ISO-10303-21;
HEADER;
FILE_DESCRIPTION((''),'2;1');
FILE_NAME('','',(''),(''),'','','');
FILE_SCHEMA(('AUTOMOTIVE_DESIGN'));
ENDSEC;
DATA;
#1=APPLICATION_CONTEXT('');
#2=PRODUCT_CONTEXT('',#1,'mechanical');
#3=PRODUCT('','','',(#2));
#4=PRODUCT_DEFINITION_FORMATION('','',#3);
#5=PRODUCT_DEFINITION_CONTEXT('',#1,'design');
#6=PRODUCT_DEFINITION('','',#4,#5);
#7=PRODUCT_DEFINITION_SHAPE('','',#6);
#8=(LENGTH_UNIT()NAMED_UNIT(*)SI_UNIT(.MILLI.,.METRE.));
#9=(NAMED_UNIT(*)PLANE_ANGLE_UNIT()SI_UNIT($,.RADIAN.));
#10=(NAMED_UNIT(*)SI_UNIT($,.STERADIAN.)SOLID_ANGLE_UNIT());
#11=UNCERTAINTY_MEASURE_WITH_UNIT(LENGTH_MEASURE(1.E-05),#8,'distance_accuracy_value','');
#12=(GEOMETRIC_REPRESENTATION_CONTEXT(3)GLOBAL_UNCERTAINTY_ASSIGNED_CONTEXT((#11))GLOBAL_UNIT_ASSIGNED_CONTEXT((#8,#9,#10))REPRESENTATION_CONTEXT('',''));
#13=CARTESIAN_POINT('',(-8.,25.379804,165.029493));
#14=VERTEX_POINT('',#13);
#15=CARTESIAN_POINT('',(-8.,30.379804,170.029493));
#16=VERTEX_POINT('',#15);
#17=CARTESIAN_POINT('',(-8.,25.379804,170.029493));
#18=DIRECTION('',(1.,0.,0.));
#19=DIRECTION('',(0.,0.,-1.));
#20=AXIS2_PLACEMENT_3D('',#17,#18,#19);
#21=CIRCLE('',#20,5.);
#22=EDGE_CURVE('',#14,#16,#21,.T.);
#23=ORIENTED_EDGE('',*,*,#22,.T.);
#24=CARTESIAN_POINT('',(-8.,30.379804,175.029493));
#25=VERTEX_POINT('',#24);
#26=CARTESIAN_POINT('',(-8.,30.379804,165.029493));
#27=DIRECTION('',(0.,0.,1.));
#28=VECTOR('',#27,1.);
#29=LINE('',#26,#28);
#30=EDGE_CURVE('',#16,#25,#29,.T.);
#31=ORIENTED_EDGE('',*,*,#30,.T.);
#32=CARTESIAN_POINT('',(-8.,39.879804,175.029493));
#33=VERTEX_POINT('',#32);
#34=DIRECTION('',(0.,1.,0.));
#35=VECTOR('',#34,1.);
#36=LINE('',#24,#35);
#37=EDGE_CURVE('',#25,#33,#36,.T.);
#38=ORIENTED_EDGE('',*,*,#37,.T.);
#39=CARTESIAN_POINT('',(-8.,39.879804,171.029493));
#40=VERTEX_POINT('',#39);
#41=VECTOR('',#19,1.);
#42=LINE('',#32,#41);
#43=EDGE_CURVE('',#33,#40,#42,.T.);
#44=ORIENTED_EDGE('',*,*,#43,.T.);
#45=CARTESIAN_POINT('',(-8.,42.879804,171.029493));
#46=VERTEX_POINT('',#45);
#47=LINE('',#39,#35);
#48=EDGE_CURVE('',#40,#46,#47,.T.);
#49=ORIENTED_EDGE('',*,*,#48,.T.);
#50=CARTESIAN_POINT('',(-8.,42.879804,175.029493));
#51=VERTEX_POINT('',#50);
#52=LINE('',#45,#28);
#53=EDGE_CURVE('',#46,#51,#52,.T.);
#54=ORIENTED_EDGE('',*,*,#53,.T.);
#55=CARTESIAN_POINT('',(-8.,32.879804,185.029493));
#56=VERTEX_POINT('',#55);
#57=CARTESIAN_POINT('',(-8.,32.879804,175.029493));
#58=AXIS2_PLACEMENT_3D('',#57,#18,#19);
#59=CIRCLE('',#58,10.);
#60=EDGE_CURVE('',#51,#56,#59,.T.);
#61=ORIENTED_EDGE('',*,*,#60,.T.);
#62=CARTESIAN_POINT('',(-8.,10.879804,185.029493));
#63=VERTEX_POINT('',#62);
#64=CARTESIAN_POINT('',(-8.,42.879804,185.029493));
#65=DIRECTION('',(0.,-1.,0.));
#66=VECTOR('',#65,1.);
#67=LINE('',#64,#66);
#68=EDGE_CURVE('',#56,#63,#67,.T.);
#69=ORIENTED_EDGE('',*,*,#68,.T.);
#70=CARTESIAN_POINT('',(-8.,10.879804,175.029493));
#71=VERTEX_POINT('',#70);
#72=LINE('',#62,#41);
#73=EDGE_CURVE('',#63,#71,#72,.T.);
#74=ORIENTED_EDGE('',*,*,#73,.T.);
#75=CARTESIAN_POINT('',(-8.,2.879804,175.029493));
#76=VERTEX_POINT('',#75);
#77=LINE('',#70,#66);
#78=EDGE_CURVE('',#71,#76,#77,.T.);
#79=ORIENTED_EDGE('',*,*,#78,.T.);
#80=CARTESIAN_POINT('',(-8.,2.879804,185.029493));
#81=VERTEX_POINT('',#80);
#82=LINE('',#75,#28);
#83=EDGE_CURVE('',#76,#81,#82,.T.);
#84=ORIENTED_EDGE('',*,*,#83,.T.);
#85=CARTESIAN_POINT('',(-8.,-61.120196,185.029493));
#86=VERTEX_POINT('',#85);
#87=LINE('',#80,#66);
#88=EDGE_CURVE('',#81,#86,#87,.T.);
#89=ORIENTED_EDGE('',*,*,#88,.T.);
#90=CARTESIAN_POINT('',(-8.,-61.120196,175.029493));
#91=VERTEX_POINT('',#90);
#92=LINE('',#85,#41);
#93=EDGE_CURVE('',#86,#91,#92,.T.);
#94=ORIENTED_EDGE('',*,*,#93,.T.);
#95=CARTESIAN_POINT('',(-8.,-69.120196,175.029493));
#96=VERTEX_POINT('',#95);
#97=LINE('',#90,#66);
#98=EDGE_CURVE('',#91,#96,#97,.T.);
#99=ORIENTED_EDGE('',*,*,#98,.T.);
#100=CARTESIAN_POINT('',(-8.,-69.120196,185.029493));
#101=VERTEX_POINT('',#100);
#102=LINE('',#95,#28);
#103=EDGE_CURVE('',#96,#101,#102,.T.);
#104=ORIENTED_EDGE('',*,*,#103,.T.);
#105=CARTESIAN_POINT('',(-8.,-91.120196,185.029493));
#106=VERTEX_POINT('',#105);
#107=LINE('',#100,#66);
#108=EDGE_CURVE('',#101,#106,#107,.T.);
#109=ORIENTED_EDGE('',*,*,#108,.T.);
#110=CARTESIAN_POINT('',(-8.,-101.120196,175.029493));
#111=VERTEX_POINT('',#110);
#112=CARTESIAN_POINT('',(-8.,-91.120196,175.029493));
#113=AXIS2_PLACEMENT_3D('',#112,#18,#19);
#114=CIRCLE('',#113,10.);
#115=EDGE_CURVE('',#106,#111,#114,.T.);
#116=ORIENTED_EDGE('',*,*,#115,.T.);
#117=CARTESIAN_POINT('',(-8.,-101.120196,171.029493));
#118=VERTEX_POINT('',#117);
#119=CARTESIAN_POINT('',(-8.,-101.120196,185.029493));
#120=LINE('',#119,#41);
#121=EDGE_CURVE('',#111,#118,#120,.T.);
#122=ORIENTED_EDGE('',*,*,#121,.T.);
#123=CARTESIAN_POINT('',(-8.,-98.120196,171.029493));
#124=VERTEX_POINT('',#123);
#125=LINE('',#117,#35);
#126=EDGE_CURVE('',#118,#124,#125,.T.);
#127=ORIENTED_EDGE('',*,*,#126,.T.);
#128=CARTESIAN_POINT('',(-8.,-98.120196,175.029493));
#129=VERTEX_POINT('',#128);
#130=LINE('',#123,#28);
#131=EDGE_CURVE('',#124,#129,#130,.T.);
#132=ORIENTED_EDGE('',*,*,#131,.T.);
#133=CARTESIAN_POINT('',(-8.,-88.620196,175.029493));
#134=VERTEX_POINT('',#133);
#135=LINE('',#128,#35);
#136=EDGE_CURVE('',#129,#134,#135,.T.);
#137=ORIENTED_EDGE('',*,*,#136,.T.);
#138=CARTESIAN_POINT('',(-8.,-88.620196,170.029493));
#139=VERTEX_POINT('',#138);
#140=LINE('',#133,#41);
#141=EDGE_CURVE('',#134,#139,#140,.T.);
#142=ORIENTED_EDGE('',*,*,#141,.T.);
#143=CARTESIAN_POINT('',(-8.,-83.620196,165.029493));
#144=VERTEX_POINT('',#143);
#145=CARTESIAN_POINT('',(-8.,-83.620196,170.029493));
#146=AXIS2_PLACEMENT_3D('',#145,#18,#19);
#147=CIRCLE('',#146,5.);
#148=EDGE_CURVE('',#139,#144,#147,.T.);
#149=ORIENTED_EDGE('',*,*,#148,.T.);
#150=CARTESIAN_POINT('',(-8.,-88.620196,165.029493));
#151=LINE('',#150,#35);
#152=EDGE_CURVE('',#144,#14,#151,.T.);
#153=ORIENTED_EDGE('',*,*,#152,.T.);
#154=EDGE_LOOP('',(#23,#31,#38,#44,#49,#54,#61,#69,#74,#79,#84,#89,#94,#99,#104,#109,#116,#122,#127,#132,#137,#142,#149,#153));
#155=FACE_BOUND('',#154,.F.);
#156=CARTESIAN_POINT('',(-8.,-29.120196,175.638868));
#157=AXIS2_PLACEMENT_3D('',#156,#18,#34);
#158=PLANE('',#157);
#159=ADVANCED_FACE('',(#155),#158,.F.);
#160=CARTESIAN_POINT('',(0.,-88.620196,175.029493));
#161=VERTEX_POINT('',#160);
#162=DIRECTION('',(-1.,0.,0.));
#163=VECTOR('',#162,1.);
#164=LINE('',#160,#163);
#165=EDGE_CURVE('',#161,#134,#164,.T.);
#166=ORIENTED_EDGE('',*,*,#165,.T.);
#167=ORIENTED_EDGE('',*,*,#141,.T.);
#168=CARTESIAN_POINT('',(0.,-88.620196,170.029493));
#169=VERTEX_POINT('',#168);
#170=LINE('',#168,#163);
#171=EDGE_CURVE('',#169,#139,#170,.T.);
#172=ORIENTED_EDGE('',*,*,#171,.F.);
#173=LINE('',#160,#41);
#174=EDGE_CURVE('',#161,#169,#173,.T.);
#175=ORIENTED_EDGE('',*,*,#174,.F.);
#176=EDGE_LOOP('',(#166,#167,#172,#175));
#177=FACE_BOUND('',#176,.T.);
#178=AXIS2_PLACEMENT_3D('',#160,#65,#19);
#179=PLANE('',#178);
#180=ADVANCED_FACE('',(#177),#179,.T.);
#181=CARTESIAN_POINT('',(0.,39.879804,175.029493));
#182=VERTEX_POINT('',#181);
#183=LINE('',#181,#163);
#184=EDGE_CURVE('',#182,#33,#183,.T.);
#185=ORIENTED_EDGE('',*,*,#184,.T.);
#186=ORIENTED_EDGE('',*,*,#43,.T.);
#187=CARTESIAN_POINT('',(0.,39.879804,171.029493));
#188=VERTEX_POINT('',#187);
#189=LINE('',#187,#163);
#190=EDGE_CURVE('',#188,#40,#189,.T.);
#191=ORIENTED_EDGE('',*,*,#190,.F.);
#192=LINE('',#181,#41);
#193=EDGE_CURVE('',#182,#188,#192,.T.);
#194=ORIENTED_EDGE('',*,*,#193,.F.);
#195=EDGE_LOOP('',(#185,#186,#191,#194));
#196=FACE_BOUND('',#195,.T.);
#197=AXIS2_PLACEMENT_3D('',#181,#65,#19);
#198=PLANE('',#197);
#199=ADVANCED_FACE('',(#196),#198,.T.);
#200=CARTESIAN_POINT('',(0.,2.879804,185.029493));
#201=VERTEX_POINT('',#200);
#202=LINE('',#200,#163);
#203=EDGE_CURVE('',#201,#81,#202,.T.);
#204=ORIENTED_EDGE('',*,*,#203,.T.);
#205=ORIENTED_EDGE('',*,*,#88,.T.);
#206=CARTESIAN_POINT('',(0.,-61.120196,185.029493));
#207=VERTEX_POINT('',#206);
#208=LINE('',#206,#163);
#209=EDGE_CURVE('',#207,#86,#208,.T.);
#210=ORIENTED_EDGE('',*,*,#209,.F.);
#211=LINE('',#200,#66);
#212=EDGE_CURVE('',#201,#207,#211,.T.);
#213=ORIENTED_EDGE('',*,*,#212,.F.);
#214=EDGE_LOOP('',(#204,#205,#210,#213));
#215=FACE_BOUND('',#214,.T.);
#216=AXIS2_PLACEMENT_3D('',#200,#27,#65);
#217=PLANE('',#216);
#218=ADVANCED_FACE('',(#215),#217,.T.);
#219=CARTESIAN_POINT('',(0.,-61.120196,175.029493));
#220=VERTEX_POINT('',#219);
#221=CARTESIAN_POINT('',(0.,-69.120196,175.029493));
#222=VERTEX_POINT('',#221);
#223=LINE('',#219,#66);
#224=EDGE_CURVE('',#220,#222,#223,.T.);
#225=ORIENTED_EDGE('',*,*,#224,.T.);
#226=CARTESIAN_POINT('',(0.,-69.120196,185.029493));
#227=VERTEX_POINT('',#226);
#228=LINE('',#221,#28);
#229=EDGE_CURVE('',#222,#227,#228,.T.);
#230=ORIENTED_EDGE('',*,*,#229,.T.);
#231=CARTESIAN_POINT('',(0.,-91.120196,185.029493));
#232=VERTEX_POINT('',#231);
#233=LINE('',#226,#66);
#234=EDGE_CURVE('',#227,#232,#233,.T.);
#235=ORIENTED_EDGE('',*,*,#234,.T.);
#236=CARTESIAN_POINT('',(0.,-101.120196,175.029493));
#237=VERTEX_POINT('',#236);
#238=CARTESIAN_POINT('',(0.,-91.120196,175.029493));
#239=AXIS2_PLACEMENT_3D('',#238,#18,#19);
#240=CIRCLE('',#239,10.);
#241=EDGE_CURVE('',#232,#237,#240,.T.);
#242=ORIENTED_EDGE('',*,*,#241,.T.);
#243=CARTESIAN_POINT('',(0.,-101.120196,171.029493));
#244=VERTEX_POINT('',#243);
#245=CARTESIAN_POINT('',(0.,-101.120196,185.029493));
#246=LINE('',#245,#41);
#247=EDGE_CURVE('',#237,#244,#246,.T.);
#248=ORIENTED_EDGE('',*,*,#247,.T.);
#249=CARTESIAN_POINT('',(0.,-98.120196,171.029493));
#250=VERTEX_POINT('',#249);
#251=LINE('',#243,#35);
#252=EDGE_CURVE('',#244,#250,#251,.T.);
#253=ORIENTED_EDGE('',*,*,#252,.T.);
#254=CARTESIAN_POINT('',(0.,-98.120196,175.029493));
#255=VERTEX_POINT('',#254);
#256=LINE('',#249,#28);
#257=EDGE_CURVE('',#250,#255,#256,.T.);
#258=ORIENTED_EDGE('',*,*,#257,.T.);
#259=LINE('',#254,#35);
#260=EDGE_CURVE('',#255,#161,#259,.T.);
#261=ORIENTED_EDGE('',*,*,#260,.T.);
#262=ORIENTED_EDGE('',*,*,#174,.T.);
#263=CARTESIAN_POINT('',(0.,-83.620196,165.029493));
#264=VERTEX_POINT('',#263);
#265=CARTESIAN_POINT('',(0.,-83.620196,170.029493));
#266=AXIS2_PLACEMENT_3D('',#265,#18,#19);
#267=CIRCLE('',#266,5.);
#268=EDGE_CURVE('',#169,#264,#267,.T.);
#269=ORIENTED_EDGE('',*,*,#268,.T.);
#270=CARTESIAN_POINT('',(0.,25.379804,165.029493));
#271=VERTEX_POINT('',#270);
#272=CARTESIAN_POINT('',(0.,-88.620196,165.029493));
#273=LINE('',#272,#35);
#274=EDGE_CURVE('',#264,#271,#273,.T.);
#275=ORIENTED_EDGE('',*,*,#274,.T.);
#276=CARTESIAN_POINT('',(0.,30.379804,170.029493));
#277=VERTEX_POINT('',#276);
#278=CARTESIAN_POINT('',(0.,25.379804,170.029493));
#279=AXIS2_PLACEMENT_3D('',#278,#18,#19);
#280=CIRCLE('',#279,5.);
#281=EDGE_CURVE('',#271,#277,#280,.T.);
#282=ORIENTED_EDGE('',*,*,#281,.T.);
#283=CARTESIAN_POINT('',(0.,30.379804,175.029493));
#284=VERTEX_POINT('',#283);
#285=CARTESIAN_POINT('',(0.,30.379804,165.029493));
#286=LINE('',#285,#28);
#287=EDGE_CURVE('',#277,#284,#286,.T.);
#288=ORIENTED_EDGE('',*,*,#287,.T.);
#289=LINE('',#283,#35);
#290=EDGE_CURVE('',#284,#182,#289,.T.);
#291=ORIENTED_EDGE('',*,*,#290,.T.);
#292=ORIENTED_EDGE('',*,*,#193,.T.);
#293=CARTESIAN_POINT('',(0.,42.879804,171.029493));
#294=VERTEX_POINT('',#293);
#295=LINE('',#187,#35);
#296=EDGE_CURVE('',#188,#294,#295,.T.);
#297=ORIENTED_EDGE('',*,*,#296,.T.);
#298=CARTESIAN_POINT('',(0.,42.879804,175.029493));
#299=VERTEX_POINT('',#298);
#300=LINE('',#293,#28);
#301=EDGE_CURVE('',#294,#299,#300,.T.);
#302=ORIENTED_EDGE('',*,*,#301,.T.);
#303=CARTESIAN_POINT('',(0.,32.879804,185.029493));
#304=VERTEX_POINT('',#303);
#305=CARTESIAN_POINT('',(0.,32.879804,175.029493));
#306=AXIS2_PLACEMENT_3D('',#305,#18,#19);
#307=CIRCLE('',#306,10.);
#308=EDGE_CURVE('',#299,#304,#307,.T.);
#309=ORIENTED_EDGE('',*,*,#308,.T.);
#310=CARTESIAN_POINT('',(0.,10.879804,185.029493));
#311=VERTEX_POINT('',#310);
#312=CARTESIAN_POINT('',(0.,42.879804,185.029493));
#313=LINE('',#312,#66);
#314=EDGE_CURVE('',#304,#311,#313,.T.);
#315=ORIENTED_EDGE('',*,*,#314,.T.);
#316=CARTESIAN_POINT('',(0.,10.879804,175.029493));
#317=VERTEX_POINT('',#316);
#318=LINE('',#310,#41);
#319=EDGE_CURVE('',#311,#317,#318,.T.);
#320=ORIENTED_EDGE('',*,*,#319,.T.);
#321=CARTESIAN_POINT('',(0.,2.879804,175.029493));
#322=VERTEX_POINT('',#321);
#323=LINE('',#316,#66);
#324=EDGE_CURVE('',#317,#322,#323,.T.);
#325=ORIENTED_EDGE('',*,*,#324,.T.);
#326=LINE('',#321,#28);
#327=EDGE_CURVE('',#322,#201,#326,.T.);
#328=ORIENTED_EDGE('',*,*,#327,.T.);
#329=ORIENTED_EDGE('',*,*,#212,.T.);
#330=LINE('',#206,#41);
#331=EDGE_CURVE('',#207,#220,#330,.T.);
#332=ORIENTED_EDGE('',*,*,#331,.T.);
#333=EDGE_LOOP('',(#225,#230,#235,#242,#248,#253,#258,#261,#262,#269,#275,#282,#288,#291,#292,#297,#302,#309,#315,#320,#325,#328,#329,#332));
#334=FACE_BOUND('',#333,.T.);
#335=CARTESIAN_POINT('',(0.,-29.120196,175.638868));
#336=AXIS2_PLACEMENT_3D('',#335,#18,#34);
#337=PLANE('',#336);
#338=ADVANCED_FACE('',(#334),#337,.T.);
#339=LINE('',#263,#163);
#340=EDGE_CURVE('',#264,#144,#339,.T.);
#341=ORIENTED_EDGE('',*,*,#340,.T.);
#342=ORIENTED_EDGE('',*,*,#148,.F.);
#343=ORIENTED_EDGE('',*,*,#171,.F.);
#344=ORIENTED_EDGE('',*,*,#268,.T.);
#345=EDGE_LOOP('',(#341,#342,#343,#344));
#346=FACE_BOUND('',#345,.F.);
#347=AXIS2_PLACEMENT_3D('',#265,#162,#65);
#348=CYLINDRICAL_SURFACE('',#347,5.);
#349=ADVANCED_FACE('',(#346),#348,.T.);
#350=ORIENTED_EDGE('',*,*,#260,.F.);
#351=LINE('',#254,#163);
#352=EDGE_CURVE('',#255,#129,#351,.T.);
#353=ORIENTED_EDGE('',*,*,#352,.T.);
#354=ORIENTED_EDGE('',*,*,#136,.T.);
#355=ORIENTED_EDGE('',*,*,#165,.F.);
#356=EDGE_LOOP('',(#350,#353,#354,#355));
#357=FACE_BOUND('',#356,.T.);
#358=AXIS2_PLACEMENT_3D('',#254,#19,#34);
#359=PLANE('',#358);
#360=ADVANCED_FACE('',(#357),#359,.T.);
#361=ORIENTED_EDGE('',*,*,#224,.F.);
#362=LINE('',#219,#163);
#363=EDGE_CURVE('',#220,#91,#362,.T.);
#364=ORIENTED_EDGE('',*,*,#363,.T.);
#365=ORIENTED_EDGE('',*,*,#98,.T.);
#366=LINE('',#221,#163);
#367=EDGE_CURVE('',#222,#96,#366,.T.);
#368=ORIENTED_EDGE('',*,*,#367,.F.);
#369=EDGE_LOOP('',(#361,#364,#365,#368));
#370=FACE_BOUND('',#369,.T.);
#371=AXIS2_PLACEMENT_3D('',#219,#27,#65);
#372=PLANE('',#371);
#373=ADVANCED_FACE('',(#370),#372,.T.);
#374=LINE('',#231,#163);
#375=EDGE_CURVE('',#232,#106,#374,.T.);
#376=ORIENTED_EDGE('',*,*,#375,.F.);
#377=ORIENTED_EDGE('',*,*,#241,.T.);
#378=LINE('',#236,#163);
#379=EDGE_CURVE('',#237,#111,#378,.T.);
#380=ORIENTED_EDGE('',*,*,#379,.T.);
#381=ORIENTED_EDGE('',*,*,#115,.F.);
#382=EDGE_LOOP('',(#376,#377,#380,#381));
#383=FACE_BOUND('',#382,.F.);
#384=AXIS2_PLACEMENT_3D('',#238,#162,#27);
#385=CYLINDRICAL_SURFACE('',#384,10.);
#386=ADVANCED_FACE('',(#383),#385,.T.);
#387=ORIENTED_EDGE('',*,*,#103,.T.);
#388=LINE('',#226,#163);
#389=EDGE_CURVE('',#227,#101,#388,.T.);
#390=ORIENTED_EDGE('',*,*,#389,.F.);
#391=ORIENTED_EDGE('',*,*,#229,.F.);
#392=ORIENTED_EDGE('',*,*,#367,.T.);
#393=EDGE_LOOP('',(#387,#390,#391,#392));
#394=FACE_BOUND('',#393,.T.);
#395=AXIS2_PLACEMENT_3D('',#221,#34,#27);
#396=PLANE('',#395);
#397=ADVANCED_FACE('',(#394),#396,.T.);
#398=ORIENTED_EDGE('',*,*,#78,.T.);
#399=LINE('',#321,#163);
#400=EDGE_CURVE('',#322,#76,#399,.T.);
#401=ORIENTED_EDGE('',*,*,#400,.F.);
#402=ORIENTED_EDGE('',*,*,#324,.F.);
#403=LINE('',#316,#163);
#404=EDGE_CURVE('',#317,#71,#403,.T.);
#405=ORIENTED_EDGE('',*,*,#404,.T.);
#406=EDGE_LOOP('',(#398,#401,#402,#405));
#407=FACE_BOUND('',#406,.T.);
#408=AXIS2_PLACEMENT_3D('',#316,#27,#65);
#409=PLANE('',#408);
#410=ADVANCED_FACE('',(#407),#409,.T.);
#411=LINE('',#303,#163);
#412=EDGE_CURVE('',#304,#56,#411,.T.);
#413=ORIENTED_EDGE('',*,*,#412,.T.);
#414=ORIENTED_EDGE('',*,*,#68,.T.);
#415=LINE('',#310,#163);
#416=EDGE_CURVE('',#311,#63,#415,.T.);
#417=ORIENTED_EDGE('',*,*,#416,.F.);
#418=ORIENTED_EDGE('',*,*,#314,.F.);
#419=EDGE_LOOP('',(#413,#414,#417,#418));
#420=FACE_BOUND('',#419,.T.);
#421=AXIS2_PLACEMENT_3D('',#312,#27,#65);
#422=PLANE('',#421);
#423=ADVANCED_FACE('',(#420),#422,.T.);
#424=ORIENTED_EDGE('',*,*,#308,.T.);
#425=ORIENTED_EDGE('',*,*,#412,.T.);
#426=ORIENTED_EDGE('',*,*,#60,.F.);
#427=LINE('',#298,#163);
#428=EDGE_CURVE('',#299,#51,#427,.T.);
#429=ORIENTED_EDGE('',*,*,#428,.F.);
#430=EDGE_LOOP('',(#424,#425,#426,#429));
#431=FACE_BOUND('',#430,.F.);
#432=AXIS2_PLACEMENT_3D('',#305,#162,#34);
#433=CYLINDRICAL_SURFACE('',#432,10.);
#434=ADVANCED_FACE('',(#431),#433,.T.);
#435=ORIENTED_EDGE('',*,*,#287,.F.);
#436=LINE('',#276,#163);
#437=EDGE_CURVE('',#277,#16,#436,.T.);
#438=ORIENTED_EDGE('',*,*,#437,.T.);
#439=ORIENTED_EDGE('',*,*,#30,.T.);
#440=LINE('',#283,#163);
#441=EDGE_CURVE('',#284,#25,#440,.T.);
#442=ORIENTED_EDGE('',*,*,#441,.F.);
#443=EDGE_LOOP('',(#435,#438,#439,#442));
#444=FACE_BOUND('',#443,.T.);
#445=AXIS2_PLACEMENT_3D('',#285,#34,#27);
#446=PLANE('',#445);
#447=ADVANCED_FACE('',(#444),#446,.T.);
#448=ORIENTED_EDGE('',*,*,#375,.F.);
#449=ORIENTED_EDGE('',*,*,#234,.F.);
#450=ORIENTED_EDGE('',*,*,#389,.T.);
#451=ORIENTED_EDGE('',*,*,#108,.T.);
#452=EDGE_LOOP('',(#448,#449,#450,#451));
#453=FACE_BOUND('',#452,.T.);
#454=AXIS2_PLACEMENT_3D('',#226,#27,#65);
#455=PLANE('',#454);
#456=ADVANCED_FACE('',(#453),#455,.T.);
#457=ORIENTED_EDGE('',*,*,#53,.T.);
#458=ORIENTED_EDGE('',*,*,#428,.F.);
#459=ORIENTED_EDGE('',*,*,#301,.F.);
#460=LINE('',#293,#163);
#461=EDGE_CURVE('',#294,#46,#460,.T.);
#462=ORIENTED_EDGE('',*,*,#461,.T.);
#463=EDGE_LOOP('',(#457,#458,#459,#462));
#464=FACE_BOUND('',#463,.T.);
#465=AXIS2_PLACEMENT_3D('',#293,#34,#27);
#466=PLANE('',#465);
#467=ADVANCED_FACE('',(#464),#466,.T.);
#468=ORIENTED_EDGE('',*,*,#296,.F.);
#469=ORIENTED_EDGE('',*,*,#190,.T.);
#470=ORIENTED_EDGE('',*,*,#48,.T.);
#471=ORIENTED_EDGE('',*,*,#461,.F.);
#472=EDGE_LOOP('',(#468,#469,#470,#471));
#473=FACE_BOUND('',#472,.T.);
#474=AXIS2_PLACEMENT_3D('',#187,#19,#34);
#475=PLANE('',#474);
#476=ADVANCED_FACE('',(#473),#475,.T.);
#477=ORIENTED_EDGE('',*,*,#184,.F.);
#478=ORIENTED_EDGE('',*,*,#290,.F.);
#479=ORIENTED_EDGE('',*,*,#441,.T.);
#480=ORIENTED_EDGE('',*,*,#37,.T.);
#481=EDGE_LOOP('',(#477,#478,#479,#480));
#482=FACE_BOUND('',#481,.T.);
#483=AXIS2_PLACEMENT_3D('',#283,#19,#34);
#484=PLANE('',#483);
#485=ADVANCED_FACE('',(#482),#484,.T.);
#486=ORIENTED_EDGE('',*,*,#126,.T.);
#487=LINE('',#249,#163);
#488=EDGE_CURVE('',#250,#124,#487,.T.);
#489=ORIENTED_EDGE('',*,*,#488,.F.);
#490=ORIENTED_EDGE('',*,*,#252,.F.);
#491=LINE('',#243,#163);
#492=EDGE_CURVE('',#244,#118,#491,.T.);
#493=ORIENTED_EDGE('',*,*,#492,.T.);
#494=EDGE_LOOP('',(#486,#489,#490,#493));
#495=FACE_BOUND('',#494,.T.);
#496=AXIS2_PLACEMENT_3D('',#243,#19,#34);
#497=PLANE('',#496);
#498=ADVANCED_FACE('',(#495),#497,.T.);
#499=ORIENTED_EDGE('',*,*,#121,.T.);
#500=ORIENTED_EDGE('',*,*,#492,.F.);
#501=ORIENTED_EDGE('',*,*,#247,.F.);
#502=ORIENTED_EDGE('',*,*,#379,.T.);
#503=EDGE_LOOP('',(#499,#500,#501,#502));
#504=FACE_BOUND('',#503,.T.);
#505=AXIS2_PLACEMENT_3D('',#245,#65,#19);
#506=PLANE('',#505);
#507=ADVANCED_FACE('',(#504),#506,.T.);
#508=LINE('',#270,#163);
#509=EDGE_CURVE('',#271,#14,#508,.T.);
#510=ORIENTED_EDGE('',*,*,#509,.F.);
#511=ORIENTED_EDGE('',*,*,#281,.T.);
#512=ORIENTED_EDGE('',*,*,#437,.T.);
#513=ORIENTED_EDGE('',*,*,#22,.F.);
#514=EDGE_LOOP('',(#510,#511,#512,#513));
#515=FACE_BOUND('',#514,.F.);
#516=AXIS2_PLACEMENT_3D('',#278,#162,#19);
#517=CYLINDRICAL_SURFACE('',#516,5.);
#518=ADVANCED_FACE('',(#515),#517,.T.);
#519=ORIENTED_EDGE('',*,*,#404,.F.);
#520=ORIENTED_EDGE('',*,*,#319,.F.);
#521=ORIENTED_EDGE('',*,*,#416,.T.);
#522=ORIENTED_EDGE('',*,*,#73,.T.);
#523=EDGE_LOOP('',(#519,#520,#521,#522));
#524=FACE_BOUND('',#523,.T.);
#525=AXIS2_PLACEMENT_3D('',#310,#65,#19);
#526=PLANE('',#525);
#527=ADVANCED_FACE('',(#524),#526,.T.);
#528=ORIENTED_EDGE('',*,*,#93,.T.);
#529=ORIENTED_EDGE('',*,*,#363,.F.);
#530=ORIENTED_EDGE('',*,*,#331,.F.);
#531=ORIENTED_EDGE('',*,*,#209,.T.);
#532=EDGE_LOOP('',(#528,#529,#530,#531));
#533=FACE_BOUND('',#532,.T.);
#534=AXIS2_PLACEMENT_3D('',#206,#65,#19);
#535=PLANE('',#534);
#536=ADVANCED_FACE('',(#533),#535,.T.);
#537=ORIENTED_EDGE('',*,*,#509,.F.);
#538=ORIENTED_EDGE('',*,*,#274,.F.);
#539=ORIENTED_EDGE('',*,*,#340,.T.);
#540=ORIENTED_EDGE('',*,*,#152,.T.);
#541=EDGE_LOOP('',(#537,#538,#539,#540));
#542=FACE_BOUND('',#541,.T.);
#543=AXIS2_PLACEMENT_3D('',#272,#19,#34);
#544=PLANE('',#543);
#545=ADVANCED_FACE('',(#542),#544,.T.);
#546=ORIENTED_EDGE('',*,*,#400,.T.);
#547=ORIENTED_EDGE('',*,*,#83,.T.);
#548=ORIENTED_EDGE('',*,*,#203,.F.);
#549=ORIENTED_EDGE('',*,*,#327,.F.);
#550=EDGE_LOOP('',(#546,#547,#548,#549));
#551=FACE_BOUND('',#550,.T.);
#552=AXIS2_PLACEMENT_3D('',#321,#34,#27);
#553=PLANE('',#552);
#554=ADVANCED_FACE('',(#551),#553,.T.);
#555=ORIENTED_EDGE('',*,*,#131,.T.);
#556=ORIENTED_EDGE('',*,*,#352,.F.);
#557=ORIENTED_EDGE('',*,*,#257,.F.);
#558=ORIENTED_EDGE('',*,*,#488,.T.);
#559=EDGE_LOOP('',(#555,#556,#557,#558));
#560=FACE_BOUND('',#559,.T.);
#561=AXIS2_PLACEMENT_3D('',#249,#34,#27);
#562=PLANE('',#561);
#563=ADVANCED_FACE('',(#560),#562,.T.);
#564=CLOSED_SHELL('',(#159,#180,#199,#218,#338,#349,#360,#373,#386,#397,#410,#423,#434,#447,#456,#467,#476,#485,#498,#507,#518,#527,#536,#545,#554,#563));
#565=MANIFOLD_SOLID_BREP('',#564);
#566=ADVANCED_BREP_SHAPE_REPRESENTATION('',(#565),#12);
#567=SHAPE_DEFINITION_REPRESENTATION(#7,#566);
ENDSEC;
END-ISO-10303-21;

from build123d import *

# Parameters (mm, degrees)
F1_DEPTH = 8
F2_R     = 10
F3_R     = 5


with BuildPart() as f1:
    # F0 (on Right) → F1 (new body)
    with BuildSketch(Plane.YZ):
        Polygon((-69.120196, 185.029493), (-101.120196, 185.029493), (-101.120196, 171.029493), (-98.120196, 171.029493), (-98.120196, 175.029493), (-88.620196, 175.029493), (-88.620196, 165.029493), (30.379804, 165.029493), (30.379804, 175.029493), (39.879804, 175.029493), (39.879804, 171.029493), (42.879804, 171.029493), (42.879804, 185.029493), (10.879804, 185.029493), (10.879804, 175.029493), (2.879804, 175.029493), (2.879804, 185.029493), (-61.120196, 185.029493), (-61.120196, 175.029493), (-69.120196, 175.029493), align=None)
    extrude(amount=-F1_DEPTH)

    # F2
    f2_edges = [f1.edges().sort_by_distance(p)[0] for p in [
        (-4, -101.120196, 185.029493),
        (-4, 42.879804, 185.029493),
    ]]
    fillet(f2_edges, radius=F2_R)

    # F3
    f3_edges = [f1.edges().sort_by_distance(p)[0] for p in [
        (-4, -88.620196, 165.029493),
        (-4, 30.379804, 165.029493),
    ]]
    fillet(f3_edges, radius=F3_R)


solid = f1.part
